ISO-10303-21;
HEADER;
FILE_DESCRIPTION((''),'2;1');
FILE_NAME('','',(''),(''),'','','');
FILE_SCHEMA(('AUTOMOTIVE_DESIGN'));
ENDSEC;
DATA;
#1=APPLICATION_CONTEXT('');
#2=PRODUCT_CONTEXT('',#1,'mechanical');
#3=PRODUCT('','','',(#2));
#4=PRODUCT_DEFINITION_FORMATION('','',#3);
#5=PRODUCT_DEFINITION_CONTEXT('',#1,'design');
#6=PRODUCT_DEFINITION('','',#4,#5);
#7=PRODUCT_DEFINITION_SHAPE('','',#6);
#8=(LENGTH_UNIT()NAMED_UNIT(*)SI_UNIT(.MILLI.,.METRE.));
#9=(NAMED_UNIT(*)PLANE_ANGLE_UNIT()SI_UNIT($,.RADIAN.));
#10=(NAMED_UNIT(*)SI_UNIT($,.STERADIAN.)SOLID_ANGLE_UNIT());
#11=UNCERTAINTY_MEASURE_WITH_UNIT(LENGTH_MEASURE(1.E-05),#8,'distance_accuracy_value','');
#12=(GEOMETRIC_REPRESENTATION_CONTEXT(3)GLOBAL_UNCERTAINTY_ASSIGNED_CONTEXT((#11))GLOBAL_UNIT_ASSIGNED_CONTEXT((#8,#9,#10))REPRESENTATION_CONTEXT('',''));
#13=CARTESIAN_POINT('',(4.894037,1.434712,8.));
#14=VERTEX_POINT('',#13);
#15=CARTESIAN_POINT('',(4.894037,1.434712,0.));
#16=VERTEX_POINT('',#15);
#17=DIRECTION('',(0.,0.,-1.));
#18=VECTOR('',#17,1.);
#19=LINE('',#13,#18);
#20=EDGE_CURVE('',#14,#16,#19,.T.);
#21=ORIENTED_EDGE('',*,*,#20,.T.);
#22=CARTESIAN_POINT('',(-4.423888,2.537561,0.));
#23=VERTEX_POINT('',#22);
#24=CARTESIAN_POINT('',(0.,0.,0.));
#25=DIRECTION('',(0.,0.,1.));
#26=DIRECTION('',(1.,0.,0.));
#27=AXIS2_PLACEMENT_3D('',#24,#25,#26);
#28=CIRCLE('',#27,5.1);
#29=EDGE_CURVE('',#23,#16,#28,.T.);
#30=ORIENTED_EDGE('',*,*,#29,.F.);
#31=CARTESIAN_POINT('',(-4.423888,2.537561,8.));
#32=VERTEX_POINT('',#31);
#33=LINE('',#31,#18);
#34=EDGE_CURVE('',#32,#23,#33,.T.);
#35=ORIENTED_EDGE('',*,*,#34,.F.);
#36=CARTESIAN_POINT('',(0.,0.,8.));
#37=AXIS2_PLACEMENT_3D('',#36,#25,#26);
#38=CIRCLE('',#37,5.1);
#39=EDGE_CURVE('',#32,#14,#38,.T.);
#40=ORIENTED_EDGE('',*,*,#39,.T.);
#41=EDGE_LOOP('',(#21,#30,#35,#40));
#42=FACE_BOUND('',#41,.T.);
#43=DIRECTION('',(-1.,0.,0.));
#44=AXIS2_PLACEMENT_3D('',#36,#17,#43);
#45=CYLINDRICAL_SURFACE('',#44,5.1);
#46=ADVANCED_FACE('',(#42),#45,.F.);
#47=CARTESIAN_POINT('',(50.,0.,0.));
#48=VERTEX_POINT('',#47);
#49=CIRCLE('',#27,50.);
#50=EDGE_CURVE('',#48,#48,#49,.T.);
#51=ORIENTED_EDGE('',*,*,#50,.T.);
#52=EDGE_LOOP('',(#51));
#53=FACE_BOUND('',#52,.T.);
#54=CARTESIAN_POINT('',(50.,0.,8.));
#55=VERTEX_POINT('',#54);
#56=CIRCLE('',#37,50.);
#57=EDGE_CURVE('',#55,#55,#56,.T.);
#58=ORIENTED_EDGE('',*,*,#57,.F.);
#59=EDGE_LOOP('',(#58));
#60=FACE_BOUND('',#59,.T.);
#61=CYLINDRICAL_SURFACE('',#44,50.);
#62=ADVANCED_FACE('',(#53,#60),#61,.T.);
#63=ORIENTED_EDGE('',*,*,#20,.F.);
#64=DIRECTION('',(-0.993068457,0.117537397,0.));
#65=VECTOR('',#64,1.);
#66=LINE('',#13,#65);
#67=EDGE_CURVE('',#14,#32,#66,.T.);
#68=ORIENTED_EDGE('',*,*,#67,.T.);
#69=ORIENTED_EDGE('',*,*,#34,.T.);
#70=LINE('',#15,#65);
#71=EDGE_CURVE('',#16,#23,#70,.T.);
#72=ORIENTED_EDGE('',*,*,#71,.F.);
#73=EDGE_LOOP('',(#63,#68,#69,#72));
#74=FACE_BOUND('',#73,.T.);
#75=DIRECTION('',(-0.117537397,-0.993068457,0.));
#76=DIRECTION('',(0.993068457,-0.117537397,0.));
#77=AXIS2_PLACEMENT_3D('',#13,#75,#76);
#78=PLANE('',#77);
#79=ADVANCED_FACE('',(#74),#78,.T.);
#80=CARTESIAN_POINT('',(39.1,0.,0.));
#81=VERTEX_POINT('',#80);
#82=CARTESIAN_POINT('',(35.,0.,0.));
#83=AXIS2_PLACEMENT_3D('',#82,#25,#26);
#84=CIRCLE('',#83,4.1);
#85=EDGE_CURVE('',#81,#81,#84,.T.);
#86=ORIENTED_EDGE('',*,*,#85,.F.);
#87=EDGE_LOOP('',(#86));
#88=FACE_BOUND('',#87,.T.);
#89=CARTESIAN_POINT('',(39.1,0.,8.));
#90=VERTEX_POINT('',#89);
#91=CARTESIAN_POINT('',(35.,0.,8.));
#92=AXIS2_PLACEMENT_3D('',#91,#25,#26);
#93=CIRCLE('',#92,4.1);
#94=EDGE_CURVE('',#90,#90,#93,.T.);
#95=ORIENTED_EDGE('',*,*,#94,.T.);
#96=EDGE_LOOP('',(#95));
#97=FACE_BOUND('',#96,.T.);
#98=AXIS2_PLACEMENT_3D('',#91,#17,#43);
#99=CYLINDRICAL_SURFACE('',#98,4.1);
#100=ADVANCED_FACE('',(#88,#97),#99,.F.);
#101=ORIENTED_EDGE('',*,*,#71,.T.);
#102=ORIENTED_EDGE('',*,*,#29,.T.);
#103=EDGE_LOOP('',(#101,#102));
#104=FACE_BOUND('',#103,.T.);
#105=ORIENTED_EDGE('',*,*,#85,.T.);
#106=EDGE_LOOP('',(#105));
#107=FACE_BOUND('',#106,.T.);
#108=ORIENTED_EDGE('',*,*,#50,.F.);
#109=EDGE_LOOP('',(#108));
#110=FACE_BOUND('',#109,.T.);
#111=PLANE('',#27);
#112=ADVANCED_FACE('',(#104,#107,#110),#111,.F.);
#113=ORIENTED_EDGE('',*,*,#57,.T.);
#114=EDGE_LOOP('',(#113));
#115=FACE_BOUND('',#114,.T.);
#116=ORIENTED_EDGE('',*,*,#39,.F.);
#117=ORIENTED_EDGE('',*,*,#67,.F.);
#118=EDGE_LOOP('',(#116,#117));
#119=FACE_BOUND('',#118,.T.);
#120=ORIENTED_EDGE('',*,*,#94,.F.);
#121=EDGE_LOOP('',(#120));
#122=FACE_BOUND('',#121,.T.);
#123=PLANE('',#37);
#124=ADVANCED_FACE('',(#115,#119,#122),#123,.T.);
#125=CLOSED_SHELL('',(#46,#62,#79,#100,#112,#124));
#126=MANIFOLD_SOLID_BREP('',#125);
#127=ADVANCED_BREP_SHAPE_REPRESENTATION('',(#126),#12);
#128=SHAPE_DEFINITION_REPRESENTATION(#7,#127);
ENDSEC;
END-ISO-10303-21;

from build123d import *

# Parameters (mm, degrees)
SKETCH_1_R      = 50
SKETCH_1_R_2    = 4.1
EXTRUDE_1_DEPTH = 8


with BuildPart() as part:
    # 草图1 → 凸台-拉伸1 (new body)
    with BuildSketch(Plane.XY):
        Circle(SKETCH_1_R)
        with Locations((35, 0)):
            Circle(SKETCH_1_R_2, mode=Mode.SUBTRACT)
        with BuildLine():
            Line((4.89403723, 1.434712371), (-4.42388764, 2.537561456))
            ThreePointArc((-4.42388764, 2.537561456), (-0.599440727, -5.06464913), (4.89403723, 1.434712371))
        make_face(mode=Mode.SUBTRACT)
    extrude(amount=EXTRUDE_1_DEPTH)


solid = part.part
